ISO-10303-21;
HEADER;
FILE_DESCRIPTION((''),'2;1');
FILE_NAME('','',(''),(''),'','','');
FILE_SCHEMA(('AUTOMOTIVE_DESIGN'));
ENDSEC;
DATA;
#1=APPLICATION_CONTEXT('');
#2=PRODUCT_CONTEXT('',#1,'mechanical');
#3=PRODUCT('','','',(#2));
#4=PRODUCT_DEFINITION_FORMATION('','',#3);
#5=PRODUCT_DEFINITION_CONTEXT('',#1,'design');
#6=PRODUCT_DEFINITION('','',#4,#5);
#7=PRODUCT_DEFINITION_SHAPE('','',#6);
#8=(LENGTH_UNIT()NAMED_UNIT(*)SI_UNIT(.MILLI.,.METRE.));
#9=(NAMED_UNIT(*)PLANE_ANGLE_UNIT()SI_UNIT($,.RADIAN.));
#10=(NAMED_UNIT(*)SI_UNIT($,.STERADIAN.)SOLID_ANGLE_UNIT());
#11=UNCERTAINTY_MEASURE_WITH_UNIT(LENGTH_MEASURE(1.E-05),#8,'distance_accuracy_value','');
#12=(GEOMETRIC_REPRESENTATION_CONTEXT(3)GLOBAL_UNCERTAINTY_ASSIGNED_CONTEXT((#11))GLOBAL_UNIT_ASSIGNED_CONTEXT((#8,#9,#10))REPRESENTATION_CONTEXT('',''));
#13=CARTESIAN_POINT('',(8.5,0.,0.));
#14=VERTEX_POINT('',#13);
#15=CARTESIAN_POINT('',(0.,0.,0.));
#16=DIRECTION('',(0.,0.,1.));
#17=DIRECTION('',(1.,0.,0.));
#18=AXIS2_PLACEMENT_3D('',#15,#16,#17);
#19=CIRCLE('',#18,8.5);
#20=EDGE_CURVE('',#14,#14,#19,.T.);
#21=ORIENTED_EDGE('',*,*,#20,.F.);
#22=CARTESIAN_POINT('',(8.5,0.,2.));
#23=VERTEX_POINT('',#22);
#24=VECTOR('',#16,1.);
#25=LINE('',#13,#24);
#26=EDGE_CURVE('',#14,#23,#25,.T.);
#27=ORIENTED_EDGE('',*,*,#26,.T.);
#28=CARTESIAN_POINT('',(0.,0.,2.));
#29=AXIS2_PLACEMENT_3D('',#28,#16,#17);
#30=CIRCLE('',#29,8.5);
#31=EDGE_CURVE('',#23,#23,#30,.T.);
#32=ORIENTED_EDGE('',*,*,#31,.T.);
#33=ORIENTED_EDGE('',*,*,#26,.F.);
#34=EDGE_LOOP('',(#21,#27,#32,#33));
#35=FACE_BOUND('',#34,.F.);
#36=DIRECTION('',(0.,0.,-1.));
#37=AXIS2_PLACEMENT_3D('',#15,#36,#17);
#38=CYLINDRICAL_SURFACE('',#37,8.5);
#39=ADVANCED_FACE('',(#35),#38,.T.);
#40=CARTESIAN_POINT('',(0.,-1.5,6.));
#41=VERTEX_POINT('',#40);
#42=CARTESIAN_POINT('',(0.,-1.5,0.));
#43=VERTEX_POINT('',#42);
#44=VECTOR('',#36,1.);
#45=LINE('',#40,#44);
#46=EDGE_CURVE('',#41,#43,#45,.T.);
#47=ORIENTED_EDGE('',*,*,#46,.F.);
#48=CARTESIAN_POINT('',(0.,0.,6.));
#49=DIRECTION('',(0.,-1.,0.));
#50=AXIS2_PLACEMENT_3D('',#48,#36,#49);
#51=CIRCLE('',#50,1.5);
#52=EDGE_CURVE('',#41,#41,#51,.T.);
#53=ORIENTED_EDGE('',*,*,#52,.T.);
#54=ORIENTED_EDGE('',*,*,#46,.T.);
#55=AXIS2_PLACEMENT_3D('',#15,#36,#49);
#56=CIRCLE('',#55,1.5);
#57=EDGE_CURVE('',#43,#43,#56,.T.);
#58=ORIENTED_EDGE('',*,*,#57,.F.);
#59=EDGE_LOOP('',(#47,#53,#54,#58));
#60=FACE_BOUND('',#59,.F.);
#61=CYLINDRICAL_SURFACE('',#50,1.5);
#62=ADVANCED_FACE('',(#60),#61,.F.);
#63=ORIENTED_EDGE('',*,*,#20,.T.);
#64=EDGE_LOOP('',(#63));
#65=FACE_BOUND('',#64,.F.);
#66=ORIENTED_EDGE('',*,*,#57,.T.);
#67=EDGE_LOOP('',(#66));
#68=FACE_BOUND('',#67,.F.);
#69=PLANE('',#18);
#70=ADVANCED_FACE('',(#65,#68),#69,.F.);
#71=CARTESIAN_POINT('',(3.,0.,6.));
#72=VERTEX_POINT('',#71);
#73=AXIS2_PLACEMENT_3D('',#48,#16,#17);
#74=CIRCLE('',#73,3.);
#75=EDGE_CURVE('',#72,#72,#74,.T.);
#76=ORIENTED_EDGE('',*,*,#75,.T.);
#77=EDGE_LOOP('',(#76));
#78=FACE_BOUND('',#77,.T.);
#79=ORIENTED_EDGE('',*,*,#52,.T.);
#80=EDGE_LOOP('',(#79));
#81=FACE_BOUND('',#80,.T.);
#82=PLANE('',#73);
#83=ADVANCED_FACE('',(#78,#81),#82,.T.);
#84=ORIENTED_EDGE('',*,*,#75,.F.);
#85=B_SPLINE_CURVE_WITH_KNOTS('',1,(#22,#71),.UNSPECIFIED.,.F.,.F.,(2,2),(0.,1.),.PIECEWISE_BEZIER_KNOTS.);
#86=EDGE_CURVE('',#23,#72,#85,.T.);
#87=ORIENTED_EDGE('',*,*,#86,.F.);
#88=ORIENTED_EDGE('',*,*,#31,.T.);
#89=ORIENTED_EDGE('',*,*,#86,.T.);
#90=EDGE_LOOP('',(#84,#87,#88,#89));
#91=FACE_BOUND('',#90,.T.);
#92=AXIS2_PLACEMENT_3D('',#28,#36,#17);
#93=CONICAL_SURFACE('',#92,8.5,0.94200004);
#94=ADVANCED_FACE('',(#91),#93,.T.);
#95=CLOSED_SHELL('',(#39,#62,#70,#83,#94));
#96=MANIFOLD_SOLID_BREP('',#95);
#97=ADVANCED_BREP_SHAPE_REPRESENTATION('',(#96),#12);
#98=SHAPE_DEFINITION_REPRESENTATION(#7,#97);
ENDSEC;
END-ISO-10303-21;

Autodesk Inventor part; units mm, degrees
ref_plane "YZ Plane" through (0, 0, 0) normal (1, 0, 0) x (0, 1, 0)
ref_plane "XZ Plane" through (0, 0, 0) normal (0, 1, 0) x (-1, 0, 0)
sketch "Base" plane through (0, 0, 0) normal (0, 0, 1) x (1, 0, 0)
  circle A0 centre (0, 0) radius 8.5
  dimension "d0" = 17
extrude "BaseFeature" add sketch "Base" along normal blind 2
sketch "LoftStart" plane through (0, 0, 2) normal (0, 0, 1) x (1, 0, 0)
  circle A0 centre (0, 0) radius 8.5 projected
ref_plane "LoftEndPlane" through (0, 0, 6) normal (0, 0, 1) x (1, 0, 0)
sketch "LoftEnd" plane through (0, 0, 6) normal (0, 0, 1) x (1, 0, 0)
  circle A0 centre (0, 0) radius 8.5 construction
  circle A1 centre (0, 0) radius 3
  dimension "d4" = 6
loft "BellLoftFeature" add profiles "LoftStart", "LoftEnd"
sketch "TopHole" plane through (0, 0, 6) normal (0, 0, 1) x (1, 0, 0)
  circle A0 centre (0, 0) radius 3 projected
hole "TopHoleFeature" at (0, 0, 6) direction (0, 0, -1) diameter 3 end through all
properties part number "ForearmClampHead"
